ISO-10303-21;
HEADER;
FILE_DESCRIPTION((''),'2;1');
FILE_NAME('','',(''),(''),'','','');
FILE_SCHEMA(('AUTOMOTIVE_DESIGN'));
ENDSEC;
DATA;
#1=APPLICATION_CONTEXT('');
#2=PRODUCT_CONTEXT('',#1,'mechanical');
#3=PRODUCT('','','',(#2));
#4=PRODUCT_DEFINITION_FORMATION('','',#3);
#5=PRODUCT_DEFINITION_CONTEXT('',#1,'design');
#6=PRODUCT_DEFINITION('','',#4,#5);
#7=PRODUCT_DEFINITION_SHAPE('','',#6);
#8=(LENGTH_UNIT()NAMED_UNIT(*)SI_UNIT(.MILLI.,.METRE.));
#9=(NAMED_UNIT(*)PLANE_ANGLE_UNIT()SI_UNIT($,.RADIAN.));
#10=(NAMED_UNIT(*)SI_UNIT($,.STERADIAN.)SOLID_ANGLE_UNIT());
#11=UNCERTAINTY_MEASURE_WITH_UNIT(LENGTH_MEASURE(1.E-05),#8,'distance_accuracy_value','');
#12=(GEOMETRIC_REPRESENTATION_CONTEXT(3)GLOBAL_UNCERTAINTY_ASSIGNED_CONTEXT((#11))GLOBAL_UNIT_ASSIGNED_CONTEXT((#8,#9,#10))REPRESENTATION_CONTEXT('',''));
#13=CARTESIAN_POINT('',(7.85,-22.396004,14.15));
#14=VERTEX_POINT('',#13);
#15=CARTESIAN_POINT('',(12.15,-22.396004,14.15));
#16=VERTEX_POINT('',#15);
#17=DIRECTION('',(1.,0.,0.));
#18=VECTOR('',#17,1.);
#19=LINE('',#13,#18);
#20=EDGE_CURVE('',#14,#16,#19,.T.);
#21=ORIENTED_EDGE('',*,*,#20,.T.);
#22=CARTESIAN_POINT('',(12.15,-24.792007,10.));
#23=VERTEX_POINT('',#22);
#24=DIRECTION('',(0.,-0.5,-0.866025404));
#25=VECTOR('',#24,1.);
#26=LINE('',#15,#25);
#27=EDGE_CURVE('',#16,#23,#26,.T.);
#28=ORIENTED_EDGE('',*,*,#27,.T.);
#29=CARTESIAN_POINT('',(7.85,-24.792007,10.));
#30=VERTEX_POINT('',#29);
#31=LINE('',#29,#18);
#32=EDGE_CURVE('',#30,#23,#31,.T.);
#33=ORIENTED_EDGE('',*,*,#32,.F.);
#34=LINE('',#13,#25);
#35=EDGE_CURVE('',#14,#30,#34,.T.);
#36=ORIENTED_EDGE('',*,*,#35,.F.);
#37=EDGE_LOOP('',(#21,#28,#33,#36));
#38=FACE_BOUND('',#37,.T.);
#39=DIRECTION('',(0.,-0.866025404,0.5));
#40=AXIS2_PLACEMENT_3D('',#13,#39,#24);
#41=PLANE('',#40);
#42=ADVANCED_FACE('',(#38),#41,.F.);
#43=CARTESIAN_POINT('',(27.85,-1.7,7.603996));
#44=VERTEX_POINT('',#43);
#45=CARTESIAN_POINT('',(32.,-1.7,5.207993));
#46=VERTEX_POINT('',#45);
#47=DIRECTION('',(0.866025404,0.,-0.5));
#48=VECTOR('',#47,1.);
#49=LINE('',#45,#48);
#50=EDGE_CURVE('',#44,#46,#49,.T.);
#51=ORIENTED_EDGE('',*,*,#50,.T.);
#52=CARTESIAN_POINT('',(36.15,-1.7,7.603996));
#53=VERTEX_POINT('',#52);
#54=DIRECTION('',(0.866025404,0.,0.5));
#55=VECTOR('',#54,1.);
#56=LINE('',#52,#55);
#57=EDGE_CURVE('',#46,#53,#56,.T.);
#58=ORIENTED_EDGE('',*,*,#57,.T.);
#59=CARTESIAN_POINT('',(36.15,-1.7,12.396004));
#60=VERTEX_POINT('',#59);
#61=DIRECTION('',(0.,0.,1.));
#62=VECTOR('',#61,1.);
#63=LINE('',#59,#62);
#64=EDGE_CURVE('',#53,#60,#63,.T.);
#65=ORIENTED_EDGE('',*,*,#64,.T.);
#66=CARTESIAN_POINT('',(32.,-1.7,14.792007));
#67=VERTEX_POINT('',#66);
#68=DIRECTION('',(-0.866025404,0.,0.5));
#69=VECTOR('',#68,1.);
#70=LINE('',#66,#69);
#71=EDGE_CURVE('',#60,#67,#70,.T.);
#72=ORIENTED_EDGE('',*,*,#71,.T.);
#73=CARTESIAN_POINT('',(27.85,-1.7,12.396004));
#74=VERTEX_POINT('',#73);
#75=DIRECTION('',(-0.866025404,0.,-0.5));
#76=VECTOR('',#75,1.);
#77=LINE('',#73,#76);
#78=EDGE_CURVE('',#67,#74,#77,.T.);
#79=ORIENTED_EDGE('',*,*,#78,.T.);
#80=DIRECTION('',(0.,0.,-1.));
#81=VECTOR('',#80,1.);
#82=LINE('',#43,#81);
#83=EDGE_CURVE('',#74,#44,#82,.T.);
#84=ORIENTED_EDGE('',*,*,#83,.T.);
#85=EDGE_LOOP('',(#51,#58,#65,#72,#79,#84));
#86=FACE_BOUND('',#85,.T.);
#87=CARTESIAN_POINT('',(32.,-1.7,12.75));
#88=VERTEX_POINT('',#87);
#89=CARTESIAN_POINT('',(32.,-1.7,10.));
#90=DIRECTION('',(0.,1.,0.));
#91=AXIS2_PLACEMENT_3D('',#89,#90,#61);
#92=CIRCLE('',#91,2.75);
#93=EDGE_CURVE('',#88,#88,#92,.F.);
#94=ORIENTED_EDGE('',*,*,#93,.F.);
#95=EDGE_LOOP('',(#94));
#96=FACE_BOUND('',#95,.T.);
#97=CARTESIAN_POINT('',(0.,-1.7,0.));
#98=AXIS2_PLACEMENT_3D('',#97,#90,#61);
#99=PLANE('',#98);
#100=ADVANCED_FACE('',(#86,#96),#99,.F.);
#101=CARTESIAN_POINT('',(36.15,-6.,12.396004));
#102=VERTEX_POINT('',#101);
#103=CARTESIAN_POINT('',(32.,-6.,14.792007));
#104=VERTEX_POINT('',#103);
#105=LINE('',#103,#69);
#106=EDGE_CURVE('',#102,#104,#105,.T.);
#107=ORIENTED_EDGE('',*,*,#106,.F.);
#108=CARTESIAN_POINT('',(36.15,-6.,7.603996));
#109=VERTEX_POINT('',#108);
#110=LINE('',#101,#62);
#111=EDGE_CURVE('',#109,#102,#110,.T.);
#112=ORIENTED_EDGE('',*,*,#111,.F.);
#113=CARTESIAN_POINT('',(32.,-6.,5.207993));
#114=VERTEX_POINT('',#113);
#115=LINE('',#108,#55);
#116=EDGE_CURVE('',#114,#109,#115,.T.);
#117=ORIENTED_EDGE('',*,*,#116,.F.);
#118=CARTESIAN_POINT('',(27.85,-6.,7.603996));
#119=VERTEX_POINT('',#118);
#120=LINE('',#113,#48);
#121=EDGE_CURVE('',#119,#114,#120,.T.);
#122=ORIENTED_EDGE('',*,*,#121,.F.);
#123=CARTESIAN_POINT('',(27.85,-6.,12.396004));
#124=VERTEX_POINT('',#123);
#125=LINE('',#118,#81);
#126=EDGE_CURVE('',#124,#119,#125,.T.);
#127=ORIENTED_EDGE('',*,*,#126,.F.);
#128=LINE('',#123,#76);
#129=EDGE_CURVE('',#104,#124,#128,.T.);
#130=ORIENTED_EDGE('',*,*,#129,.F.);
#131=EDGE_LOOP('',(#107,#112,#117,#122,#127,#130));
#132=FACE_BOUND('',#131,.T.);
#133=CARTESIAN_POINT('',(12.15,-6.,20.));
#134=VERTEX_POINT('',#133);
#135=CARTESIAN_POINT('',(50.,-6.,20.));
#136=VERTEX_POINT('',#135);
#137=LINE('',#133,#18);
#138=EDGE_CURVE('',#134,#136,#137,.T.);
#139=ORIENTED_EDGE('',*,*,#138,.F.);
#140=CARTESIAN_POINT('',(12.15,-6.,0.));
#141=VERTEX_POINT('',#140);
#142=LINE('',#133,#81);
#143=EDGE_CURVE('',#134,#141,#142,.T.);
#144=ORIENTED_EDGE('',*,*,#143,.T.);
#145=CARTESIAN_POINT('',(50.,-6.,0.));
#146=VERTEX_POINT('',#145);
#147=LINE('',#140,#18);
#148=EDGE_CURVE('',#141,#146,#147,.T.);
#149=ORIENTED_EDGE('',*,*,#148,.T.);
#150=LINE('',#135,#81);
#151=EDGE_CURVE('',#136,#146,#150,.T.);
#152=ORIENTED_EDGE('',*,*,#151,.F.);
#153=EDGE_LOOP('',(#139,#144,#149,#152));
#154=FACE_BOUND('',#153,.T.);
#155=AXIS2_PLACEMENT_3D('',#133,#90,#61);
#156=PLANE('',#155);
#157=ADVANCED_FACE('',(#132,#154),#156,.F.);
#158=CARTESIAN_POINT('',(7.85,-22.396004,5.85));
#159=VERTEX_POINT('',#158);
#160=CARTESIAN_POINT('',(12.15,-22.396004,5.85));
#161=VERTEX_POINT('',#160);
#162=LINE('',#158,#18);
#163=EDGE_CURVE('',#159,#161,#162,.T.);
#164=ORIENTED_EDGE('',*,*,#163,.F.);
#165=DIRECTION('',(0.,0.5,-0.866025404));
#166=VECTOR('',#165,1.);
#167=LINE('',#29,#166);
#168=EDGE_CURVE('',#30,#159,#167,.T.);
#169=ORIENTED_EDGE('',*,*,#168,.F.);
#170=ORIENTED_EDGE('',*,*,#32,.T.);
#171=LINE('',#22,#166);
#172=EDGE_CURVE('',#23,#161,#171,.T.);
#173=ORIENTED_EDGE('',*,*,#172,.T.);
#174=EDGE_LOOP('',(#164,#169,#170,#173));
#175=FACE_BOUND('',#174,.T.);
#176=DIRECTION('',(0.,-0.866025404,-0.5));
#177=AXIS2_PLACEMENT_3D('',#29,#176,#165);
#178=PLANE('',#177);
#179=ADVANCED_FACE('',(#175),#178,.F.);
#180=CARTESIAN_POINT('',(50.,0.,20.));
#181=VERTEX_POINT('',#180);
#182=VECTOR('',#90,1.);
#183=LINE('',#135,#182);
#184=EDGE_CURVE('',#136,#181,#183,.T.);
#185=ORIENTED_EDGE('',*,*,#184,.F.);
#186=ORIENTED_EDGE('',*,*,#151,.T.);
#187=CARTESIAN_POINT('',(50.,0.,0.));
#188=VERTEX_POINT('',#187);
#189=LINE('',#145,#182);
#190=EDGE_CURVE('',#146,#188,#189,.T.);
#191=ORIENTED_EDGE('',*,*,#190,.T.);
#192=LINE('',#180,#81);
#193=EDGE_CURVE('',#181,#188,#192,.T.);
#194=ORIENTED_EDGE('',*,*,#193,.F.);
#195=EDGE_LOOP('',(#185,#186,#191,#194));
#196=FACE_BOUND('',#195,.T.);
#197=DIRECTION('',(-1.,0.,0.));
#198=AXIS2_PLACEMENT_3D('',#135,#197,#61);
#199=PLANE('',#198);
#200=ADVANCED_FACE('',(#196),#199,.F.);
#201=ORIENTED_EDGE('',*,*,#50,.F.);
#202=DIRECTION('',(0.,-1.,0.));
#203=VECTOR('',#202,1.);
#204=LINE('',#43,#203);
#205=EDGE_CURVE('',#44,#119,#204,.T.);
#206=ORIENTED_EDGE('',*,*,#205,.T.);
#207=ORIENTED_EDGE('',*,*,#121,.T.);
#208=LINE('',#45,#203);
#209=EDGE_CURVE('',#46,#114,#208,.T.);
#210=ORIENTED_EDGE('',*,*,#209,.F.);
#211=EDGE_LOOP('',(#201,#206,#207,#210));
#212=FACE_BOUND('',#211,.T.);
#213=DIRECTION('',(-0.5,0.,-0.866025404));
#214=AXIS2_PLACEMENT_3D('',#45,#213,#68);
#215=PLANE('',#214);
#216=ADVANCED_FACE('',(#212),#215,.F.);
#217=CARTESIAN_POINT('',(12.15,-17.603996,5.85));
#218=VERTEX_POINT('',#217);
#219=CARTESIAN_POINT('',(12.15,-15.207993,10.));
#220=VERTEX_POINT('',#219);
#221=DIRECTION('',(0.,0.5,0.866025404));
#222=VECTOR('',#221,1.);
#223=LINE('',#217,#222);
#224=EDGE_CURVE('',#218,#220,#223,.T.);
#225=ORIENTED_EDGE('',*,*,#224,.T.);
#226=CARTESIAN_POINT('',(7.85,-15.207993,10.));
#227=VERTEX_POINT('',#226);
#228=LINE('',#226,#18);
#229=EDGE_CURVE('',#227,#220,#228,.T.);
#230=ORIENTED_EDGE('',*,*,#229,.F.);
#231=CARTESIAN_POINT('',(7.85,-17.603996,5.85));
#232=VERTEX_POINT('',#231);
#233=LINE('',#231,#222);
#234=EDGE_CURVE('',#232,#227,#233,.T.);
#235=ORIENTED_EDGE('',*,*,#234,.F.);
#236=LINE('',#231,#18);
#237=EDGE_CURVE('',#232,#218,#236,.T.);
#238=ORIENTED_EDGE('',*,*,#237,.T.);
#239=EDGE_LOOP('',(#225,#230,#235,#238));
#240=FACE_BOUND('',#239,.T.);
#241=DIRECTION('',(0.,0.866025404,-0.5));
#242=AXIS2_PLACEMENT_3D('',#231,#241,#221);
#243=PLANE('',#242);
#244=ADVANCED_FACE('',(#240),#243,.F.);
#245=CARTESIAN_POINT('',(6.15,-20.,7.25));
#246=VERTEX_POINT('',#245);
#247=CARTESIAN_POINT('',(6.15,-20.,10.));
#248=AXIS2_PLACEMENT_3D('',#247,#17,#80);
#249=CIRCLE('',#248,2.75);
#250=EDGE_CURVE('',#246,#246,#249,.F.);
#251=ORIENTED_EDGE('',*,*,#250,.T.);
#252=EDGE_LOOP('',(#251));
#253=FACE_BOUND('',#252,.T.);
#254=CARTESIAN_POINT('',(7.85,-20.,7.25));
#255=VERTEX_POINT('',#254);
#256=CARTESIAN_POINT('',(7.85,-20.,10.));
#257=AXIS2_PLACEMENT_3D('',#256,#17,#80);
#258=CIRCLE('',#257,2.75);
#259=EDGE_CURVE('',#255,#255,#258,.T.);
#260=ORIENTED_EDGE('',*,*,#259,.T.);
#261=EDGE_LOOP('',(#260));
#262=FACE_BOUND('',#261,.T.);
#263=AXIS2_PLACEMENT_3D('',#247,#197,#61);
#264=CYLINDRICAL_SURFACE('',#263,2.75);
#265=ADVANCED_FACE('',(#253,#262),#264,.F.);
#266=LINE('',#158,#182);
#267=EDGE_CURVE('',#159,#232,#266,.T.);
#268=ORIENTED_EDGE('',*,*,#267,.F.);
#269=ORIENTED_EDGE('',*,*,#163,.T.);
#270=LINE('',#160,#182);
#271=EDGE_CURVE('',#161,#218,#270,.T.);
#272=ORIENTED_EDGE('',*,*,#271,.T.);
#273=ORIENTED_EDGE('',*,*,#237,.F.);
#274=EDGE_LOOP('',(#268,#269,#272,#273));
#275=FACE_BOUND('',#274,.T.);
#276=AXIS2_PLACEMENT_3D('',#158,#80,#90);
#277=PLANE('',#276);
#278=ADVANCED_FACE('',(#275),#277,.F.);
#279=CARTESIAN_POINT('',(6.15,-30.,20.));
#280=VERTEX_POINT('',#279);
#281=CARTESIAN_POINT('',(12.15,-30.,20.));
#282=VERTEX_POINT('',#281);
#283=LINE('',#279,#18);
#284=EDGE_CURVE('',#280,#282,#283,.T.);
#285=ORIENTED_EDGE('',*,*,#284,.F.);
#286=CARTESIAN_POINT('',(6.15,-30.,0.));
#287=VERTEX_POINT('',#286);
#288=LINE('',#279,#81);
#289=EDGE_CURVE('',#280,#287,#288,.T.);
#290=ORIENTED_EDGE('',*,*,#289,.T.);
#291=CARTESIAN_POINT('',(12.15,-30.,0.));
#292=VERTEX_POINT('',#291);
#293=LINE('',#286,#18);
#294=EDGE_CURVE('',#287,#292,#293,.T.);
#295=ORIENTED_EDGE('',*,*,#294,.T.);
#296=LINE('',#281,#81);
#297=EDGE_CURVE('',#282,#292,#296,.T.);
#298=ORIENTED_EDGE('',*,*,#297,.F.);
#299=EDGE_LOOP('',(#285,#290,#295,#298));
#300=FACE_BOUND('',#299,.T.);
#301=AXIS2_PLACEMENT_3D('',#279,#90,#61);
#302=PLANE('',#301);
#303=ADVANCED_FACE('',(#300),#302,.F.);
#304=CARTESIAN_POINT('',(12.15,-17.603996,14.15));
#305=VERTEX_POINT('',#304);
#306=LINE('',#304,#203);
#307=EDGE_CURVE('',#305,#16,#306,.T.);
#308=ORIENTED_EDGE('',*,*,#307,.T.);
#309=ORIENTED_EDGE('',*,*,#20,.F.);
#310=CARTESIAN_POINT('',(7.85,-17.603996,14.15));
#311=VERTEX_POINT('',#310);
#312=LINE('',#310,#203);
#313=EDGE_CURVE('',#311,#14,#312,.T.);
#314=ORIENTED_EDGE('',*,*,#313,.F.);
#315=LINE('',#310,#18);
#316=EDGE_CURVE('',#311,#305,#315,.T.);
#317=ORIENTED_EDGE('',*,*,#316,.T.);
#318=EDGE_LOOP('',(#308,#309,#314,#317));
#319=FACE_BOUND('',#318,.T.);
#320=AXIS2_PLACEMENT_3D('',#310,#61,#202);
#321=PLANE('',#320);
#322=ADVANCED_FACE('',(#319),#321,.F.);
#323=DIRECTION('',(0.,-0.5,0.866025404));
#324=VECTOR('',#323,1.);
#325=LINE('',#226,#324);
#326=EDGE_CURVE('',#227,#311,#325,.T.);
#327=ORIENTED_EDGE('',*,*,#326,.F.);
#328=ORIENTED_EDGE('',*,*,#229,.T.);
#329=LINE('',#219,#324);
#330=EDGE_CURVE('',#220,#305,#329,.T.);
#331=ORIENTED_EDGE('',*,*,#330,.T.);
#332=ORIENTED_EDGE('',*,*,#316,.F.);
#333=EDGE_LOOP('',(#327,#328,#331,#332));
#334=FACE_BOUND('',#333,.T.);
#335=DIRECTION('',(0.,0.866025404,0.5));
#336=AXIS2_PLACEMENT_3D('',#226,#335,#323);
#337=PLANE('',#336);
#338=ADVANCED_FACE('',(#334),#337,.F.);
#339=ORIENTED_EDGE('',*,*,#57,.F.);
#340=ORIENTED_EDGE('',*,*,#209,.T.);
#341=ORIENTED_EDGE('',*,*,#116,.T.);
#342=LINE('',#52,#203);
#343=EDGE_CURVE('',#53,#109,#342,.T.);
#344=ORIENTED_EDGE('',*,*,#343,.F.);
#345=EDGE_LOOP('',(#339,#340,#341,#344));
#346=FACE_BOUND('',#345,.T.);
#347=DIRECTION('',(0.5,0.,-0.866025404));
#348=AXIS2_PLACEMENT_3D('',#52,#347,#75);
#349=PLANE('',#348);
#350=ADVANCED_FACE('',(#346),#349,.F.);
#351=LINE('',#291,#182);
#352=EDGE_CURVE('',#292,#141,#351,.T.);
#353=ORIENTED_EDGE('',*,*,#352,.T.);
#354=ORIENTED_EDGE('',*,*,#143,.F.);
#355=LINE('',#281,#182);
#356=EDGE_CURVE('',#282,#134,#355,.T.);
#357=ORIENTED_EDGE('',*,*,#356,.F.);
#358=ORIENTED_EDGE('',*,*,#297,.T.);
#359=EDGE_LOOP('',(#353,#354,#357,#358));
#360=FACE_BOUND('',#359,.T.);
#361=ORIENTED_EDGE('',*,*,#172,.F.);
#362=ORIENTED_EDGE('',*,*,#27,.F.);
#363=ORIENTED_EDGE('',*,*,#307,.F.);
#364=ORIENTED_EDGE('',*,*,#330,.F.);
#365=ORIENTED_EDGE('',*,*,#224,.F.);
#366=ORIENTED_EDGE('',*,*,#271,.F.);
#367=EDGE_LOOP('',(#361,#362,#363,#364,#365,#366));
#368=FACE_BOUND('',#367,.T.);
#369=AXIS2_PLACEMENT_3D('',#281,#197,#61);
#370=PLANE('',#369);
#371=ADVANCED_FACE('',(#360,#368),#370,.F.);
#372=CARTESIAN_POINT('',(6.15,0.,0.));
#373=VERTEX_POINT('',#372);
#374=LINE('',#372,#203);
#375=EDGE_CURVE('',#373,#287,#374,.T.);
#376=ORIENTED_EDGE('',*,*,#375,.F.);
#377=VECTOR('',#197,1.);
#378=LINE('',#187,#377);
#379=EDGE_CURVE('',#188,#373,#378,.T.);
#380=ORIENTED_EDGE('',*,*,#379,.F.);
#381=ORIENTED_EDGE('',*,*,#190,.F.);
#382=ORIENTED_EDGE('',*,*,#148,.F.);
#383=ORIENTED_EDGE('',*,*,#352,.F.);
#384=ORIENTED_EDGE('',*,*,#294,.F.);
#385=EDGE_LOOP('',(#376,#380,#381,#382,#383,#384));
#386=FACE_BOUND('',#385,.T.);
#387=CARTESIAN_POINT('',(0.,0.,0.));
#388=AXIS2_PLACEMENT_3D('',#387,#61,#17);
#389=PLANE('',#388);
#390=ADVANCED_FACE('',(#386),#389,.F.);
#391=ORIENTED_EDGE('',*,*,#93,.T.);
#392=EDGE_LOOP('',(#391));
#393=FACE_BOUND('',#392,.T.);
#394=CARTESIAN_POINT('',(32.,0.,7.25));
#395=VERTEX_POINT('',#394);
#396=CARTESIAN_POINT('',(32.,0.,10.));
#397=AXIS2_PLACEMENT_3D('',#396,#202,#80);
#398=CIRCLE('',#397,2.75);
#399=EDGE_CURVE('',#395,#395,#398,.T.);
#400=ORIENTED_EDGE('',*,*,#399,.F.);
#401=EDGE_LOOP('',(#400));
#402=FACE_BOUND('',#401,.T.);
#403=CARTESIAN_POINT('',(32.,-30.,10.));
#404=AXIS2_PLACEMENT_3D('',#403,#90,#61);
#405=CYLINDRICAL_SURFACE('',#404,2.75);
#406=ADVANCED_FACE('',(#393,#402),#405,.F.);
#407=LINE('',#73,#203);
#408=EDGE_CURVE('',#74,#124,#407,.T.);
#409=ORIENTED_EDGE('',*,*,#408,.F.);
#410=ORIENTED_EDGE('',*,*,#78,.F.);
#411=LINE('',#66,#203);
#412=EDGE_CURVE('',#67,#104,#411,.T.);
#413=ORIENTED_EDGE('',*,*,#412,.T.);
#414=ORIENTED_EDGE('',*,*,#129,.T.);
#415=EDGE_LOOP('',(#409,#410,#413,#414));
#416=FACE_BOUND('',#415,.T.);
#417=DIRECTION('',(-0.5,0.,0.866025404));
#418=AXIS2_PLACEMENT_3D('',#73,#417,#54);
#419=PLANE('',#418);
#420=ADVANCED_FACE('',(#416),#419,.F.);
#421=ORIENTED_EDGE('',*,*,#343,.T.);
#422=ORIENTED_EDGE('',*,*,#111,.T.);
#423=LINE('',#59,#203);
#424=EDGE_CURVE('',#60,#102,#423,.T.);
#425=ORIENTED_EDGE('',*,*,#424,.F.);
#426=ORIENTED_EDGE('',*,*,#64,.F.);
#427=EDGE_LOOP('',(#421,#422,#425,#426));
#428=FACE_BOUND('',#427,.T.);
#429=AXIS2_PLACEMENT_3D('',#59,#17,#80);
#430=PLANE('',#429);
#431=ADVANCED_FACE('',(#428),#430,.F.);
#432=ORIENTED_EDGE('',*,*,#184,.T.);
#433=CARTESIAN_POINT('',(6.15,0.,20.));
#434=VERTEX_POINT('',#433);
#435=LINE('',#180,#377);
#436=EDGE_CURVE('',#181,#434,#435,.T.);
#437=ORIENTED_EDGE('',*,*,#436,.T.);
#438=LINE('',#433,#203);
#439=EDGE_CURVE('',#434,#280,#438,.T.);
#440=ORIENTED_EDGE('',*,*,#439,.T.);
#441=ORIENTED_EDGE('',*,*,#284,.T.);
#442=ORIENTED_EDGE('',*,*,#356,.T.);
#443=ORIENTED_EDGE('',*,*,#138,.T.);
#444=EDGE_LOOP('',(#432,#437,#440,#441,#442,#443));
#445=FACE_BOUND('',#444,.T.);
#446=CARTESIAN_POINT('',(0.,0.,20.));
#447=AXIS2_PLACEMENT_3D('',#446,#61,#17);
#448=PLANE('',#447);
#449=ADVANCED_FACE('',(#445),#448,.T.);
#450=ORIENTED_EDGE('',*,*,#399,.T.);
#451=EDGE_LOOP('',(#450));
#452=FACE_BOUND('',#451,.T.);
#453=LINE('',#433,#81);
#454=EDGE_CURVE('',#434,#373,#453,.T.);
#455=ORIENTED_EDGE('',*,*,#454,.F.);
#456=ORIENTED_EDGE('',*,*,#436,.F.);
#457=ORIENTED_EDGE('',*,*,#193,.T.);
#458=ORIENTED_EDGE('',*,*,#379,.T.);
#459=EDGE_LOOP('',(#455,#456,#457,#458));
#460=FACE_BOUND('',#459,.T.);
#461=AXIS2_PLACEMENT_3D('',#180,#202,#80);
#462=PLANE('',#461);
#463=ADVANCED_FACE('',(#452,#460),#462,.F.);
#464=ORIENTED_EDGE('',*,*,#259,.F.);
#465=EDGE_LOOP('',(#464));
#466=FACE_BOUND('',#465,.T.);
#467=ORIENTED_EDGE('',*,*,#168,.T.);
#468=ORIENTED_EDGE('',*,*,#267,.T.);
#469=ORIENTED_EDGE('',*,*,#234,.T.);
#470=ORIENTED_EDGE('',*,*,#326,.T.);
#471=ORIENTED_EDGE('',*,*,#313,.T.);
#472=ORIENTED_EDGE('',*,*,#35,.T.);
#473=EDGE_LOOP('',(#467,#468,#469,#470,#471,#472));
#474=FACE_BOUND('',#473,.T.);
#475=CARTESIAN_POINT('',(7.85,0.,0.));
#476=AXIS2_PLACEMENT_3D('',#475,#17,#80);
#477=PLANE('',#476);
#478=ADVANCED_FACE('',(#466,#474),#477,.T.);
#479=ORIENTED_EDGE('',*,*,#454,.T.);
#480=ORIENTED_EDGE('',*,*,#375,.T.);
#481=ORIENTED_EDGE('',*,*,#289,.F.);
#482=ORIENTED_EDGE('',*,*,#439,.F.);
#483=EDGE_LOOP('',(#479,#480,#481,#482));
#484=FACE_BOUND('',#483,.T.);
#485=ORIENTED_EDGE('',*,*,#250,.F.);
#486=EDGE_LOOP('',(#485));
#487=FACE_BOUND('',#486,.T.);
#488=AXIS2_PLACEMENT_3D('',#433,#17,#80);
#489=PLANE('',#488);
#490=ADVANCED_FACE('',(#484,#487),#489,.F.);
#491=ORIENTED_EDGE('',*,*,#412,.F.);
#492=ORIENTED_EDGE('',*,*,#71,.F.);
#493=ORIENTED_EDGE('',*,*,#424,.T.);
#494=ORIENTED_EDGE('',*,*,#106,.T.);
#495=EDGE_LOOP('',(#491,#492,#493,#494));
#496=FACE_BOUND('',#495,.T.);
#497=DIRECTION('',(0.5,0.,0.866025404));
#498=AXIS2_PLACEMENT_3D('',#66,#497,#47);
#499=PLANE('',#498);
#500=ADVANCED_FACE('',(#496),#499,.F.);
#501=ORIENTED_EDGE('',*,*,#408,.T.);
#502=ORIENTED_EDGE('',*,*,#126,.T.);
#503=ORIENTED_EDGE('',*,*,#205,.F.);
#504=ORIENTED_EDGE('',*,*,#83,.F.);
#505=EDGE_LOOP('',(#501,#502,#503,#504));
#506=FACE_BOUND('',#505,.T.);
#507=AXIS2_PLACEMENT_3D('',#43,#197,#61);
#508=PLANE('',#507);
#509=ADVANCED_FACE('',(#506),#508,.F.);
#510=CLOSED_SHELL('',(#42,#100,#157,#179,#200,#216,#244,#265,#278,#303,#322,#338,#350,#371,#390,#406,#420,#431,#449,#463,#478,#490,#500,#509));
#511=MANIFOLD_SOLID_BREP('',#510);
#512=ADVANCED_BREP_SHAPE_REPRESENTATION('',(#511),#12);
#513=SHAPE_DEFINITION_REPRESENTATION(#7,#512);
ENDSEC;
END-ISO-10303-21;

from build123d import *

# Parameters (mm, degrees)
EXTRUDE_20_DEPTH           = 20
CUT_EXTRUDE_5_DEPTH        = 62.64414003
CUT_EXTRUDE_5_DEPTH_BACK   = 62.64414003
SKETCH_5_R                 = 2.75
CUT_EXTRUDE_5_4_3_DEPTH    = 4.3
CUT_EXTRUDE_5_2_DEPTH      = 62.64414003
CUT_EXTRUDE_5_2_DEPTH_BACK = 62.64414003
SKETCH_5_3_R               = 2.75
CUT_EXTRUDE_5_4_3_2_DEPTH  = 4.3


with BuildPart() as part:
    # Профиль_скобы_6мм → Печатный_корпус_20мм (new body)
    with BuildSketch(Plane.XY):
        Polygon((6.15, -30), (12.15, -30), (12.15, -6), (50, -6), (50, 0), (6.15, 0), align=None)
    extrude(amount=EXTRUDE_20_DEPTH)

    # Sketch 5 → Cut-Extrude 5 (cut, two sides: drawn at the far end of the back side and taken through both)
    with BuildSketch(Plane(origin=(0, 0, 0), x_dir=(1, 0, 0), z_dir=(0, 1, 0)).offset(-CUT_EXTRUDE_5_DEPTH_BACK)):
        with Locations(Location((32, -10, 0), (0, 0, 270))):
            Circle(SKETCH_5_R)
    extrude(amount=CUT_EXTRUDE_5_DEPTH + CUT_EXTRUDE_5_DEPTH_BACK, mode=Mode.SUBTRACT)

    # Sketch 5 2 → Cut-Extrude 5_4_3 (cut)
    with BuildSketch(Plane.XZ.offset(6)):
        Polygon((32, 14.792007234), (36.15, 12.396003617), (36.15, 7.603996383), (32, 5.207992766), (27.85, 7.603996383), (27.85, 12.396003617), align=None)
    extrude(amount=-CUT_EXTRUDE_5_4_3_DEPTH, mode=Mode.SUBTRACT)

    # Sketch 5 3 → Cut-Extrude 5 2 (cut, two sides: drawn at the far end of the back side and taken through both)
    with BuildSketch(Plane(origin=(0, 0, 0), x_dir=(0, 0, -1), z_dir=(1, 0, 0)).offset(-CUT_EXTRUDE_5_2_DEPTH_BACK)):
        with Locations(Location((-10, -20, 0), (0, 0, 180))):
            Circle(SKETCH_5_3_R)
    extrude(amount=CUT_EXTRUDE_5_2_DEPTH + CUT_EXTRUDE_5_2_DEPTH_BACK, mode=Mode.SUBTRACT)

    # Sketch 5 4 → Cut-Extrude 5_4_3 2 (cut)
    with BuildSketch(Plane(origin=(12.15, 0, 0), x_dir=(0, 0, -1), z_dir=(1, 0, 0))):
        Polygon((-10, -15.207992766), (-14.15, -17.603996383), (-14.15, -22.396003617), (-10, -24.792007234), (-5.85, -22.396003617), (-5.85, -17.603996383), align=None)
    extrude(amount=-CUT_EXTRUDE_5_4_3_2_DEPTH, mode=Mode.SUBTRACT)


solid = part.part
